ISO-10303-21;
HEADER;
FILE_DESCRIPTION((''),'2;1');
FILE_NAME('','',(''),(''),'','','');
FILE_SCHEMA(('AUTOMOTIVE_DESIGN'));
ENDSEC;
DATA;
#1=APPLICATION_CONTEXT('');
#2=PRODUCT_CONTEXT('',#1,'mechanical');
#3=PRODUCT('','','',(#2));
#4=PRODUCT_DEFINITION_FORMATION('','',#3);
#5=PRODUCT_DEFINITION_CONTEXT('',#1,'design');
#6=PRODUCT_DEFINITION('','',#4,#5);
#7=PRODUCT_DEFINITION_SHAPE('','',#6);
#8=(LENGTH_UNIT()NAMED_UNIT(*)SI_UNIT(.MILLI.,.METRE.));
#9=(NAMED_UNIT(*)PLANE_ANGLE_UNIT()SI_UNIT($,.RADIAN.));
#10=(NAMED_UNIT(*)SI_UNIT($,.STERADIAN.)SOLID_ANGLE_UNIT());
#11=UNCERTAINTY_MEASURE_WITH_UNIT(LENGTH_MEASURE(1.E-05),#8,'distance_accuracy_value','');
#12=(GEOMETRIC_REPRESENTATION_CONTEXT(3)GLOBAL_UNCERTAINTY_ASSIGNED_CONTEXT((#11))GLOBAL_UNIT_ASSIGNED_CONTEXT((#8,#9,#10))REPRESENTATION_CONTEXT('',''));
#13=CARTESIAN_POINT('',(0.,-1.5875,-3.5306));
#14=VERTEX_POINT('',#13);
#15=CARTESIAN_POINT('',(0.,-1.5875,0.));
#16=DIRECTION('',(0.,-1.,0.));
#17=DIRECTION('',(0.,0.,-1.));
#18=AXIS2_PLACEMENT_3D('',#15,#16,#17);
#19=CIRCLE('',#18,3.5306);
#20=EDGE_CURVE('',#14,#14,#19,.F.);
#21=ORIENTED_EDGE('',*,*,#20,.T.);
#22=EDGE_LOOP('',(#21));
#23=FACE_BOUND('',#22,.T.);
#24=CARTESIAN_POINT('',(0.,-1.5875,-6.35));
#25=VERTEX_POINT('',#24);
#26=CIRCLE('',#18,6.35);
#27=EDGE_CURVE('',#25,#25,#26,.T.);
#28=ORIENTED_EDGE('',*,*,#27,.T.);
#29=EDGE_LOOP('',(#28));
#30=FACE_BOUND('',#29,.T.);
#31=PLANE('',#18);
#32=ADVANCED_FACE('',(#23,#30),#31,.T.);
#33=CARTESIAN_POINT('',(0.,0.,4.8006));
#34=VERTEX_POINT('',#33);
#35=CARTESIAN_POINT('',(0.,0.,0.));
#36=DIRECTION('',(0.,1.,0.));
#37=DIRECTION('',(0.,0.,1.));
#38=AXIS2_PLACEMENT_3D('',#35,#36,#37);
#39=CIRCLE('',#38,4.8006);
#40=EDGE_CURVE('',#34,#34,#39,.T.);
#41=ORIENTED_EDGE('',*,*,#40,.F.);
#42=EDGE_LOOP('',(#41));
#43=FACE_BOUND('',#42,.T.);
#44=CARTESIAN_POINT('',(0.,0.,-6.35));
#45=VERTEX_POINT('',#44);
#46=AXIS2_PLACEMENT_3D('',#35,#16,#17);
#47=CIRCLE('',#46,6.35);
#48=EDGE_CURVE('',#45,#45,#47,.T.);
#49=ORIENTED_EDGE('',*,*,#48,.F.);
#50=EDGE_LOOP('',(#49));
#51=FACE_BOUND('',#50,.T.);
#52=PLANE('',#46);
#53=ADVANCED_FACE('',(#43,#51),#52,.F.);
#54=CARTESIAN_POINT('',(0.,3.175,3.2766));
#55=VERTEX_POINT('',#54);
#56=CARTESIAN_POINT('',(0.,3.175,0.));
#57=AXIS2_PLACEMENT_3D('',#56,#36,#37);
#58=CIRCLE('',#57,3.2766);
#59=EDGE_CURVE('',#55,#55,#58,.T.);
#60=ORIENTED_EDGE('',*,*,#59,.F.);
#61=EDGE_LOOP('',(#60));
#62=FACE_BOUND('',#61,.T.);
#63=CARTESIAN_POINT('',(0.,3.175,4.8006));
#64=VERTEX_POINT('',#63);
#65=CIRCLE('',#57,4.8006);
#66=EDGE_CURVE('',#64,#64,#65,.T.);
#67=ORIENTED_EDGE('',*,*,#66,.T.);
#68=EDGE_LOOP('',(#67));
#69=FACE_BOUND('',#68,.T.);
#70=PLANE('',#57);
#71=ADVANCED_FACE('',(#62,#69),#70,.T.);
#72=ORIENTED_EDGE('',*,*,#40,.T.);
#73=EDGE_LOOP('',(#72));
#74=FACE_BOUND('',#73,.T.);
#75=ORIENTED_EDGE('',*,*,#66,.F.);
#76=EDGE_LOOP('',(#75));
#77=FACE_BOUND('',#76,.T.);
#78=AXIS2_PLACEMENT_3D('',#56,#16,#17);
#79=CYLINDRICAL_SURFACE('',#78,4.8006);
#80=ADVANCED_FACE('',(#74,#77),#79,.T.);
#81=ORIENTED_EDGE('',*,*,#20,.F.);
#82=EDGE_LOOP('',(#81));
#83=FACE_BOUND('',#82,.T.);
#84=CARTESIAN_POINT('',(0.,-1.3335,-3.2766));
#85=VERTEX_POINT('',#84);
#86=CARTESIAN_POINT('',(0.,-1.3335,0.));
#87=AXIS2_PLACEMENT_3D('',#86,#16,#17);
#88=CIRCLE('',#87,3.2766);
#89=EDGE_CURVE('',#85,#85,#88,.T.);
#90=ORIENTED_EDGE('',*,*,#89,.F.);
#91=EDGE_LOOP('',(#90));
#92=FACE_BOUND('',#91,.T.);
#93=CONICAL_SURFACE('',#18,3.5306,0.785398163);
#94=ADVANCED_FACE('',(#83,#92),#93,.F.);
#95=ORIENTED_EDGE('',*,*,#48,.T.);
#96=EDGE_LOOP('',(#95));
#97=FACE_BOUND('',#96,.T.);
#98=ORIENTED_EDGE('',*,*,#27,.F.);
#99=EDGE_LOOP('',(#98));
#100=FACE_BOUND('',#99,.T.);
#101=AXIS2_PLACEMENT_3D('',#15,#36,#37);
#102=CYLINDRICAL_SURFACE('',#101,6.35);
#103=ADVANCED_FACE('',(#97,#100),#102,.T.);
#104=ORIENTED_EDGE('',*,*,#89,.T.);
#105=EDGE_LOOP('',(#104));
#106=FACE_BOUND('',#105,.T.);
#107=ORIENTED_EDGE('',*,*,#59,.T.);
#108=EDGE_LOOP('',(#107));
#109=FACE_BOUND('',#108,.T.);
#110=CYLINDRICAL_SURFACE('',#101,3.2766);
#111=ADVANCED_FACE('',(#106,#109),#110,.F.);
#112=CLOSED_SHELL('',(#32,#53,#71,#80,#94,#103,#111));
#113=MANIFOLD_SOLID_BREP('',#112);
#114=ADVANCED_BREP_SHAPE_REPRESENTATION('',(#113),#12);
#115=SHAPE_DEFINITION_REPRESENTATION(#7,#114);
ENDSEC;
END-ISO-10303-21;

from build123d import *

# Parameters (mm, degrees)
SKETCH2_R           = 4.8006
BOSS_EXTRUDE1_DEPTH = 3.175
SKETCH3_R           = 6.35
BOSS_EXTRUDE2_DEPTH = 1.5875
SKETCH4_R           = 3.2766
CUT_EXTRUDE1_DEPTH  = 11.164959727
CHAMFER1_SIZE       = 0.254


with BuildPart() as part:
    # Sketch2 → Boss-Extrude1 (new body)
    with BuildSketch(Plane(origin=(0, 0, 0), x_dir=(1, 0, 0), z_dir=(0, 1, 0))):
        with Locations(Location((0, 0, 0), (0, 0, 270))):
            Circle(SKETCH2_R)
    extrude(amount=BOSS_EXTRUDE1_DEPTH)

    # Sketch3 → Boss-Extrude2 (add)
    with BuildSketch(Plane(origin=(0, 0, 0), x_dir=(-1, 0, 0), z_dir=(0, -1, 0))):
        with Locations(Location((0, 0, 0), (0, 0, 90))):
            Circle(SKETCH3_R)
    extrude(amount=BOSS_EXTRUDE2_DEPTH)

    # Sketch4 → Cut-Extrude1 (cut, through all)
    with BuildSketch(Plane(origin=(0, 3.175, 0), x_dir=(1, 0, 0), z_dir=(0, 1, 0))):
        with Locations(Location((0, 0, 0), (0, 0, 270))):
            Circle(SKETCH4_R)
    extrude(amount=-CUT_EXTRUDE1_DEPTH, mode=Mode.SUBTRACT)

    # Chamfer1
    chamfer1_edges = [part.edges().sort_by_distance(p)[0] for p in [
        (0, -1.5875, -3.2766),
    ]]
    chamfer(chamfer1_edges, length=CHAMFER1_SIZE)


solid = part.part
